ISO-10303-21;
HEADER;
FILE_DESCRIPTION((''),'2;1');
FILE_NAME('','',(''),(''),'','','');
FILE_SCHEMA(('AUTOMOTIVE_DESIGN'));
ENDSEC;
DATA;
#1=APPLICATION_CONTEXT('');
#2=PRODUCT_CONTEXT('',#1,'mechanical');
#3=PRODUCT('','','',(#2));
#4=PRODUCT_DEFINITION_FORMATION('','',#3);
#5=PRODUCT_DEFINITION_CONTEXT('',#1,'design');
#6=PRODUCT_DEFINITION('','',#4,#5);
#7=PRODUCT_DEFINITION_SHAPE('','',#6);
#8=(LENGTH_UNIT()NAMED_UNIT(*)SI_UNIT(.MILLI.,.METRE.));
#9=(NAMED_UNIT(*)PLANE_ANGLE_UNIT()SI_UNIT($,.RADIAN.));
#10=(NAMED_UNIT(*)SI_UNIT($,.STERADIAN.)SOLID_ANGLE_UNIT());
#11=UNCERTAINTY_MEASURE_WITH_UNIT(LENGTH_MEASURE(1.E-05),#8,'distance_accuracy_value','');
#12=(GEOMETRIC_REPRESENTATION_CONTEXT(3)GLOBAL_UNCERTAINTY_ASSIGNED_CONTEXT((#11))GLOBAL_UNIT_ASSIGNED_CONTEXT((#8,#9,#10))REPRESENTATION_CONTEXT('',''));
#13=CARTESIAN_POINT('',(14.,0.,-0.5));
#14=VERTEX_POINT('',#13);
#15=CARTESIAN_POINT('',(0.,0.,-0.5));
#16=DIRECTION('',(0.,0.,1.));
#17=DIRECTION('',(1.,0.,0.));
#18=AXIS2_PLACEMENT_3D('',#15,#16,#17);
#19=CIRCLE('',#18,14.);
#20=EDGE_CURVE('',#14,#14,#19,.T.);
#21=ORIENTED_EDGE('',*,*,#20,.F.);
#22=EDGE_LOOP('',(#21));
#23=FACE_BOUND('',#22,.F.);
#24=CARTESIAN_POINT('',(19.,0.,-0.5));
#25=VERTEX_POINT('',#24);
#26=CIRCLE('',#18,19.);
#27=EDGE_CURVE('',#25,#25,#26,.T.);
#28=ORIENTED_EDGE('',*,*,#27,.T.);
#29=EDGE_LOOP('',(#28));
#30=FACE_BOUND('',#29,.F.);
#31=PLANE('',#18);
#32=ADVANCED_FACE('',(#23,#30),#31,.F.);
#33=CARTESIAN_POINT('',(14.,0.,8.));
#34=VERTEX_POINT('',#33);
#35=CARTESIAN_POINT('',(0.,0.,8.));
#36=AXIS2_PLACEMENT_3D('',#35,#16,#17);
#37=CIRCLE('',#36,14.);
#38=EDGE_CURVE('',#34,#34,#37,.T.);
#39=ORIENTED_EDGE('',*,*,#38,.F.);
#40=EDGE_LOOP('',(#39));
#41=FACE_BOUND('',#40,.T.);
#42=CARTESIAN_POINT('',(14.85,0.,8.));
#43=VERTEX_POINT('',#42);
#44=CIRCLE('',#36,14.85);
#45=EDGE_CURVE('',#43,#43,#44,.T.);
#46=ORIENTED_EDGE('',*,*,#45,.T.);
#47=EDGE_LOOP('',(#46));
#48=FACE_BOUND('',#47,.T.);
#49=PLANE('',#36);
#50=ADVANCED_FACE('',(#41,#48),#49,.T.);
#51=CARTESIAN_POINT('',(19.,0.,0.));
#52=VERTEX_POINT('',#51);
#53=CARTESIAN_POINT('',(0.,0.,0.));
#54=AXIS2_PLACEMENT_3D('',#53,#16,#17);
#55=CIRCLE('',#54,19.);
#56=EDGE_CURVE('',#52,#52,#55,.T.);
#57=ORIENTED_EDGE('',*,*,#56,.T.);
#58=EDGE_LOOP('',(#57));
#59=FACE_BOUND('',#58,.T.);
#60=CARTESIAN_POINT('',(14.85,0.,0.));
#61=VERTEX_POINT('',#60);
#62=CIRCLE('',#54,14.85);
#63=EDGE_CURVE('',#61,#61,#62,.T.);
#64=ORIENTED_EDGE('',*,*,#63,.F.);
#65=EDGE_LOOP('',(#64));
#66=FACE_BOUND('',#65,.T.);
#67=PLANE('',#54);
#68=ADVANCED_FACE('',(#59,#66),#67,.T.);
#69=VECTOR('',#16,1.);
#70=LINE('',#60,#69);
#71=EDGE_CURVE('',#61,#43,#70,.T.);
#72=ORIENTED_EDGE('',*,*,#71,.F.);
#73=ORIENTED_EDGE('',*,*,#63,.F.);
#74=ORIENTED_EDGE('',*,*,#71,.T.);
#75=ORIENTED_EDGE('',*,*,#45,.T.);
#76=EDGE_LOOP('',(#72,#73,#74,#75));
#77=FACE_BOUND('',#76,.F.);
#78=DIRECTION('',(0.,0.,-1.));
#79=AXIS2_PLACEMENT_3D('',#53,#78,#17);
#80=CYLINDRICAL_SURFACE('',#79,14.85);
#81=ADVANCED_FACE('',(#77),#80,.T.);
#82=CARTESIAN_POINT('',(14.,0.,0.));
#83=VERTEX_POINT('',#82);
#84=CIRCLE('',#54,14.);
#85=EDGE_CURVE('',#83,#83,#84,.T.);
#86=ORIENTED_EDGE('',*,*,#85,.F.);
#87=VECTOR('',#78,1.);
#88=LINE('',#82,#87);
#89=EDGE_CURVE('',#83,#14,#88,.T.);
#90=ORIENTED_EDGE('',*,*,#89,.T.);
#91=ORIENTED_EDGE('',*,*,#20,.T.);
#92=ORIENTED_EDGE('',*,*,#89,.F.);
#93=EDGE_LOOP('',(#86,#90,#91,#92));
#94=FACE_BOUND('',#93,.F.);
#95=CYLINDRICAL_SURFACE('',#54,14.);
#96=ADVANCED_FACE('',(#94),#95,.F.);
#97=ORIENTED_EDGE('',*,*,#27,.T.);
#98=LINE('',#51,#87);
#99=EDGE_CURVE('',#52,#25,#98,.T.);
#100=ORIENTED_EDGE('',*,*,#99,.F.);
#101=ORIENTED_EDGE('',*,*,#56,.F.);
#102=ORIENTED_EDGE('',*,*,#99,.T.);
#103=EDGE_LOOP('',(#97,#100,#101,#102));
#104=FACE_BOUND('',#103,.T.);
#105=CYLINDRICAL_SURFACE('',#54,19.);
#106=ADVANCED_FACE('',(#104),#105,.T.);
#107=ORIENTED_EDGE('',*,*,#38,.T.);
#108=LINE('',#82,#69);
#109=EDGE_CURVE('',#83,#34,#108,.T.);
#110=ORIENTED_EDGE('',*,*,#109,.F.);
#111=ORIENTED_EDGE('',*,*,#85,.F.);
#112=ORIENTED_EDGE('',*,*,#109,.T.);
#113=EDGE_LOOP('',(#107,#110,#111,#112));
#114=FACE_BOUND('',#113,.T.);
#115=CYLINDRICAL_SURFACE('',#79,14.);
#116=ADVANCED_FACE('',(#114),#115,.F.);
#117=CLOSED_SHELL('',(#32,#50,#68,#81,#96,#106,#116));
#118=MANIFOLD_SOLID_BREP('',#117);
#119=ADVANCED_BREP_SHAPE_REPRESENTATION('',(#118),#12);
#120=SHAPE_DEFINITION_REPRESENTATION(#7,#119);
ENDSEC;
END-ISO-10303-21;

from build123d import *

# Parameters (mm, degrees)
F0_R     = 14.85
F0_R_2   = 14
F1_DEPTH = 8
F2_R     = 19
F2_R_2   = 14
F3_DEPTH = 0.5


with BuildPart() as f1:
    # F0 (on Top) → F1 (new body)
    with BuildSketch(Plane.XY):
        Circle(F0_R)
        Circle(F0_R_2, mode=Mode.SUBTRACT)
    extrude(amount=F1_DEPTH)

    # F2 (on Top) → F3 (join)
    with BuildSketch(Plane.XY):
        Circle(F2_R)
        Circle(F2_R_2, mode=Mode.SUBTRACT)
    extrude(amount=-F3_DEPTH)


solid = f1.part
